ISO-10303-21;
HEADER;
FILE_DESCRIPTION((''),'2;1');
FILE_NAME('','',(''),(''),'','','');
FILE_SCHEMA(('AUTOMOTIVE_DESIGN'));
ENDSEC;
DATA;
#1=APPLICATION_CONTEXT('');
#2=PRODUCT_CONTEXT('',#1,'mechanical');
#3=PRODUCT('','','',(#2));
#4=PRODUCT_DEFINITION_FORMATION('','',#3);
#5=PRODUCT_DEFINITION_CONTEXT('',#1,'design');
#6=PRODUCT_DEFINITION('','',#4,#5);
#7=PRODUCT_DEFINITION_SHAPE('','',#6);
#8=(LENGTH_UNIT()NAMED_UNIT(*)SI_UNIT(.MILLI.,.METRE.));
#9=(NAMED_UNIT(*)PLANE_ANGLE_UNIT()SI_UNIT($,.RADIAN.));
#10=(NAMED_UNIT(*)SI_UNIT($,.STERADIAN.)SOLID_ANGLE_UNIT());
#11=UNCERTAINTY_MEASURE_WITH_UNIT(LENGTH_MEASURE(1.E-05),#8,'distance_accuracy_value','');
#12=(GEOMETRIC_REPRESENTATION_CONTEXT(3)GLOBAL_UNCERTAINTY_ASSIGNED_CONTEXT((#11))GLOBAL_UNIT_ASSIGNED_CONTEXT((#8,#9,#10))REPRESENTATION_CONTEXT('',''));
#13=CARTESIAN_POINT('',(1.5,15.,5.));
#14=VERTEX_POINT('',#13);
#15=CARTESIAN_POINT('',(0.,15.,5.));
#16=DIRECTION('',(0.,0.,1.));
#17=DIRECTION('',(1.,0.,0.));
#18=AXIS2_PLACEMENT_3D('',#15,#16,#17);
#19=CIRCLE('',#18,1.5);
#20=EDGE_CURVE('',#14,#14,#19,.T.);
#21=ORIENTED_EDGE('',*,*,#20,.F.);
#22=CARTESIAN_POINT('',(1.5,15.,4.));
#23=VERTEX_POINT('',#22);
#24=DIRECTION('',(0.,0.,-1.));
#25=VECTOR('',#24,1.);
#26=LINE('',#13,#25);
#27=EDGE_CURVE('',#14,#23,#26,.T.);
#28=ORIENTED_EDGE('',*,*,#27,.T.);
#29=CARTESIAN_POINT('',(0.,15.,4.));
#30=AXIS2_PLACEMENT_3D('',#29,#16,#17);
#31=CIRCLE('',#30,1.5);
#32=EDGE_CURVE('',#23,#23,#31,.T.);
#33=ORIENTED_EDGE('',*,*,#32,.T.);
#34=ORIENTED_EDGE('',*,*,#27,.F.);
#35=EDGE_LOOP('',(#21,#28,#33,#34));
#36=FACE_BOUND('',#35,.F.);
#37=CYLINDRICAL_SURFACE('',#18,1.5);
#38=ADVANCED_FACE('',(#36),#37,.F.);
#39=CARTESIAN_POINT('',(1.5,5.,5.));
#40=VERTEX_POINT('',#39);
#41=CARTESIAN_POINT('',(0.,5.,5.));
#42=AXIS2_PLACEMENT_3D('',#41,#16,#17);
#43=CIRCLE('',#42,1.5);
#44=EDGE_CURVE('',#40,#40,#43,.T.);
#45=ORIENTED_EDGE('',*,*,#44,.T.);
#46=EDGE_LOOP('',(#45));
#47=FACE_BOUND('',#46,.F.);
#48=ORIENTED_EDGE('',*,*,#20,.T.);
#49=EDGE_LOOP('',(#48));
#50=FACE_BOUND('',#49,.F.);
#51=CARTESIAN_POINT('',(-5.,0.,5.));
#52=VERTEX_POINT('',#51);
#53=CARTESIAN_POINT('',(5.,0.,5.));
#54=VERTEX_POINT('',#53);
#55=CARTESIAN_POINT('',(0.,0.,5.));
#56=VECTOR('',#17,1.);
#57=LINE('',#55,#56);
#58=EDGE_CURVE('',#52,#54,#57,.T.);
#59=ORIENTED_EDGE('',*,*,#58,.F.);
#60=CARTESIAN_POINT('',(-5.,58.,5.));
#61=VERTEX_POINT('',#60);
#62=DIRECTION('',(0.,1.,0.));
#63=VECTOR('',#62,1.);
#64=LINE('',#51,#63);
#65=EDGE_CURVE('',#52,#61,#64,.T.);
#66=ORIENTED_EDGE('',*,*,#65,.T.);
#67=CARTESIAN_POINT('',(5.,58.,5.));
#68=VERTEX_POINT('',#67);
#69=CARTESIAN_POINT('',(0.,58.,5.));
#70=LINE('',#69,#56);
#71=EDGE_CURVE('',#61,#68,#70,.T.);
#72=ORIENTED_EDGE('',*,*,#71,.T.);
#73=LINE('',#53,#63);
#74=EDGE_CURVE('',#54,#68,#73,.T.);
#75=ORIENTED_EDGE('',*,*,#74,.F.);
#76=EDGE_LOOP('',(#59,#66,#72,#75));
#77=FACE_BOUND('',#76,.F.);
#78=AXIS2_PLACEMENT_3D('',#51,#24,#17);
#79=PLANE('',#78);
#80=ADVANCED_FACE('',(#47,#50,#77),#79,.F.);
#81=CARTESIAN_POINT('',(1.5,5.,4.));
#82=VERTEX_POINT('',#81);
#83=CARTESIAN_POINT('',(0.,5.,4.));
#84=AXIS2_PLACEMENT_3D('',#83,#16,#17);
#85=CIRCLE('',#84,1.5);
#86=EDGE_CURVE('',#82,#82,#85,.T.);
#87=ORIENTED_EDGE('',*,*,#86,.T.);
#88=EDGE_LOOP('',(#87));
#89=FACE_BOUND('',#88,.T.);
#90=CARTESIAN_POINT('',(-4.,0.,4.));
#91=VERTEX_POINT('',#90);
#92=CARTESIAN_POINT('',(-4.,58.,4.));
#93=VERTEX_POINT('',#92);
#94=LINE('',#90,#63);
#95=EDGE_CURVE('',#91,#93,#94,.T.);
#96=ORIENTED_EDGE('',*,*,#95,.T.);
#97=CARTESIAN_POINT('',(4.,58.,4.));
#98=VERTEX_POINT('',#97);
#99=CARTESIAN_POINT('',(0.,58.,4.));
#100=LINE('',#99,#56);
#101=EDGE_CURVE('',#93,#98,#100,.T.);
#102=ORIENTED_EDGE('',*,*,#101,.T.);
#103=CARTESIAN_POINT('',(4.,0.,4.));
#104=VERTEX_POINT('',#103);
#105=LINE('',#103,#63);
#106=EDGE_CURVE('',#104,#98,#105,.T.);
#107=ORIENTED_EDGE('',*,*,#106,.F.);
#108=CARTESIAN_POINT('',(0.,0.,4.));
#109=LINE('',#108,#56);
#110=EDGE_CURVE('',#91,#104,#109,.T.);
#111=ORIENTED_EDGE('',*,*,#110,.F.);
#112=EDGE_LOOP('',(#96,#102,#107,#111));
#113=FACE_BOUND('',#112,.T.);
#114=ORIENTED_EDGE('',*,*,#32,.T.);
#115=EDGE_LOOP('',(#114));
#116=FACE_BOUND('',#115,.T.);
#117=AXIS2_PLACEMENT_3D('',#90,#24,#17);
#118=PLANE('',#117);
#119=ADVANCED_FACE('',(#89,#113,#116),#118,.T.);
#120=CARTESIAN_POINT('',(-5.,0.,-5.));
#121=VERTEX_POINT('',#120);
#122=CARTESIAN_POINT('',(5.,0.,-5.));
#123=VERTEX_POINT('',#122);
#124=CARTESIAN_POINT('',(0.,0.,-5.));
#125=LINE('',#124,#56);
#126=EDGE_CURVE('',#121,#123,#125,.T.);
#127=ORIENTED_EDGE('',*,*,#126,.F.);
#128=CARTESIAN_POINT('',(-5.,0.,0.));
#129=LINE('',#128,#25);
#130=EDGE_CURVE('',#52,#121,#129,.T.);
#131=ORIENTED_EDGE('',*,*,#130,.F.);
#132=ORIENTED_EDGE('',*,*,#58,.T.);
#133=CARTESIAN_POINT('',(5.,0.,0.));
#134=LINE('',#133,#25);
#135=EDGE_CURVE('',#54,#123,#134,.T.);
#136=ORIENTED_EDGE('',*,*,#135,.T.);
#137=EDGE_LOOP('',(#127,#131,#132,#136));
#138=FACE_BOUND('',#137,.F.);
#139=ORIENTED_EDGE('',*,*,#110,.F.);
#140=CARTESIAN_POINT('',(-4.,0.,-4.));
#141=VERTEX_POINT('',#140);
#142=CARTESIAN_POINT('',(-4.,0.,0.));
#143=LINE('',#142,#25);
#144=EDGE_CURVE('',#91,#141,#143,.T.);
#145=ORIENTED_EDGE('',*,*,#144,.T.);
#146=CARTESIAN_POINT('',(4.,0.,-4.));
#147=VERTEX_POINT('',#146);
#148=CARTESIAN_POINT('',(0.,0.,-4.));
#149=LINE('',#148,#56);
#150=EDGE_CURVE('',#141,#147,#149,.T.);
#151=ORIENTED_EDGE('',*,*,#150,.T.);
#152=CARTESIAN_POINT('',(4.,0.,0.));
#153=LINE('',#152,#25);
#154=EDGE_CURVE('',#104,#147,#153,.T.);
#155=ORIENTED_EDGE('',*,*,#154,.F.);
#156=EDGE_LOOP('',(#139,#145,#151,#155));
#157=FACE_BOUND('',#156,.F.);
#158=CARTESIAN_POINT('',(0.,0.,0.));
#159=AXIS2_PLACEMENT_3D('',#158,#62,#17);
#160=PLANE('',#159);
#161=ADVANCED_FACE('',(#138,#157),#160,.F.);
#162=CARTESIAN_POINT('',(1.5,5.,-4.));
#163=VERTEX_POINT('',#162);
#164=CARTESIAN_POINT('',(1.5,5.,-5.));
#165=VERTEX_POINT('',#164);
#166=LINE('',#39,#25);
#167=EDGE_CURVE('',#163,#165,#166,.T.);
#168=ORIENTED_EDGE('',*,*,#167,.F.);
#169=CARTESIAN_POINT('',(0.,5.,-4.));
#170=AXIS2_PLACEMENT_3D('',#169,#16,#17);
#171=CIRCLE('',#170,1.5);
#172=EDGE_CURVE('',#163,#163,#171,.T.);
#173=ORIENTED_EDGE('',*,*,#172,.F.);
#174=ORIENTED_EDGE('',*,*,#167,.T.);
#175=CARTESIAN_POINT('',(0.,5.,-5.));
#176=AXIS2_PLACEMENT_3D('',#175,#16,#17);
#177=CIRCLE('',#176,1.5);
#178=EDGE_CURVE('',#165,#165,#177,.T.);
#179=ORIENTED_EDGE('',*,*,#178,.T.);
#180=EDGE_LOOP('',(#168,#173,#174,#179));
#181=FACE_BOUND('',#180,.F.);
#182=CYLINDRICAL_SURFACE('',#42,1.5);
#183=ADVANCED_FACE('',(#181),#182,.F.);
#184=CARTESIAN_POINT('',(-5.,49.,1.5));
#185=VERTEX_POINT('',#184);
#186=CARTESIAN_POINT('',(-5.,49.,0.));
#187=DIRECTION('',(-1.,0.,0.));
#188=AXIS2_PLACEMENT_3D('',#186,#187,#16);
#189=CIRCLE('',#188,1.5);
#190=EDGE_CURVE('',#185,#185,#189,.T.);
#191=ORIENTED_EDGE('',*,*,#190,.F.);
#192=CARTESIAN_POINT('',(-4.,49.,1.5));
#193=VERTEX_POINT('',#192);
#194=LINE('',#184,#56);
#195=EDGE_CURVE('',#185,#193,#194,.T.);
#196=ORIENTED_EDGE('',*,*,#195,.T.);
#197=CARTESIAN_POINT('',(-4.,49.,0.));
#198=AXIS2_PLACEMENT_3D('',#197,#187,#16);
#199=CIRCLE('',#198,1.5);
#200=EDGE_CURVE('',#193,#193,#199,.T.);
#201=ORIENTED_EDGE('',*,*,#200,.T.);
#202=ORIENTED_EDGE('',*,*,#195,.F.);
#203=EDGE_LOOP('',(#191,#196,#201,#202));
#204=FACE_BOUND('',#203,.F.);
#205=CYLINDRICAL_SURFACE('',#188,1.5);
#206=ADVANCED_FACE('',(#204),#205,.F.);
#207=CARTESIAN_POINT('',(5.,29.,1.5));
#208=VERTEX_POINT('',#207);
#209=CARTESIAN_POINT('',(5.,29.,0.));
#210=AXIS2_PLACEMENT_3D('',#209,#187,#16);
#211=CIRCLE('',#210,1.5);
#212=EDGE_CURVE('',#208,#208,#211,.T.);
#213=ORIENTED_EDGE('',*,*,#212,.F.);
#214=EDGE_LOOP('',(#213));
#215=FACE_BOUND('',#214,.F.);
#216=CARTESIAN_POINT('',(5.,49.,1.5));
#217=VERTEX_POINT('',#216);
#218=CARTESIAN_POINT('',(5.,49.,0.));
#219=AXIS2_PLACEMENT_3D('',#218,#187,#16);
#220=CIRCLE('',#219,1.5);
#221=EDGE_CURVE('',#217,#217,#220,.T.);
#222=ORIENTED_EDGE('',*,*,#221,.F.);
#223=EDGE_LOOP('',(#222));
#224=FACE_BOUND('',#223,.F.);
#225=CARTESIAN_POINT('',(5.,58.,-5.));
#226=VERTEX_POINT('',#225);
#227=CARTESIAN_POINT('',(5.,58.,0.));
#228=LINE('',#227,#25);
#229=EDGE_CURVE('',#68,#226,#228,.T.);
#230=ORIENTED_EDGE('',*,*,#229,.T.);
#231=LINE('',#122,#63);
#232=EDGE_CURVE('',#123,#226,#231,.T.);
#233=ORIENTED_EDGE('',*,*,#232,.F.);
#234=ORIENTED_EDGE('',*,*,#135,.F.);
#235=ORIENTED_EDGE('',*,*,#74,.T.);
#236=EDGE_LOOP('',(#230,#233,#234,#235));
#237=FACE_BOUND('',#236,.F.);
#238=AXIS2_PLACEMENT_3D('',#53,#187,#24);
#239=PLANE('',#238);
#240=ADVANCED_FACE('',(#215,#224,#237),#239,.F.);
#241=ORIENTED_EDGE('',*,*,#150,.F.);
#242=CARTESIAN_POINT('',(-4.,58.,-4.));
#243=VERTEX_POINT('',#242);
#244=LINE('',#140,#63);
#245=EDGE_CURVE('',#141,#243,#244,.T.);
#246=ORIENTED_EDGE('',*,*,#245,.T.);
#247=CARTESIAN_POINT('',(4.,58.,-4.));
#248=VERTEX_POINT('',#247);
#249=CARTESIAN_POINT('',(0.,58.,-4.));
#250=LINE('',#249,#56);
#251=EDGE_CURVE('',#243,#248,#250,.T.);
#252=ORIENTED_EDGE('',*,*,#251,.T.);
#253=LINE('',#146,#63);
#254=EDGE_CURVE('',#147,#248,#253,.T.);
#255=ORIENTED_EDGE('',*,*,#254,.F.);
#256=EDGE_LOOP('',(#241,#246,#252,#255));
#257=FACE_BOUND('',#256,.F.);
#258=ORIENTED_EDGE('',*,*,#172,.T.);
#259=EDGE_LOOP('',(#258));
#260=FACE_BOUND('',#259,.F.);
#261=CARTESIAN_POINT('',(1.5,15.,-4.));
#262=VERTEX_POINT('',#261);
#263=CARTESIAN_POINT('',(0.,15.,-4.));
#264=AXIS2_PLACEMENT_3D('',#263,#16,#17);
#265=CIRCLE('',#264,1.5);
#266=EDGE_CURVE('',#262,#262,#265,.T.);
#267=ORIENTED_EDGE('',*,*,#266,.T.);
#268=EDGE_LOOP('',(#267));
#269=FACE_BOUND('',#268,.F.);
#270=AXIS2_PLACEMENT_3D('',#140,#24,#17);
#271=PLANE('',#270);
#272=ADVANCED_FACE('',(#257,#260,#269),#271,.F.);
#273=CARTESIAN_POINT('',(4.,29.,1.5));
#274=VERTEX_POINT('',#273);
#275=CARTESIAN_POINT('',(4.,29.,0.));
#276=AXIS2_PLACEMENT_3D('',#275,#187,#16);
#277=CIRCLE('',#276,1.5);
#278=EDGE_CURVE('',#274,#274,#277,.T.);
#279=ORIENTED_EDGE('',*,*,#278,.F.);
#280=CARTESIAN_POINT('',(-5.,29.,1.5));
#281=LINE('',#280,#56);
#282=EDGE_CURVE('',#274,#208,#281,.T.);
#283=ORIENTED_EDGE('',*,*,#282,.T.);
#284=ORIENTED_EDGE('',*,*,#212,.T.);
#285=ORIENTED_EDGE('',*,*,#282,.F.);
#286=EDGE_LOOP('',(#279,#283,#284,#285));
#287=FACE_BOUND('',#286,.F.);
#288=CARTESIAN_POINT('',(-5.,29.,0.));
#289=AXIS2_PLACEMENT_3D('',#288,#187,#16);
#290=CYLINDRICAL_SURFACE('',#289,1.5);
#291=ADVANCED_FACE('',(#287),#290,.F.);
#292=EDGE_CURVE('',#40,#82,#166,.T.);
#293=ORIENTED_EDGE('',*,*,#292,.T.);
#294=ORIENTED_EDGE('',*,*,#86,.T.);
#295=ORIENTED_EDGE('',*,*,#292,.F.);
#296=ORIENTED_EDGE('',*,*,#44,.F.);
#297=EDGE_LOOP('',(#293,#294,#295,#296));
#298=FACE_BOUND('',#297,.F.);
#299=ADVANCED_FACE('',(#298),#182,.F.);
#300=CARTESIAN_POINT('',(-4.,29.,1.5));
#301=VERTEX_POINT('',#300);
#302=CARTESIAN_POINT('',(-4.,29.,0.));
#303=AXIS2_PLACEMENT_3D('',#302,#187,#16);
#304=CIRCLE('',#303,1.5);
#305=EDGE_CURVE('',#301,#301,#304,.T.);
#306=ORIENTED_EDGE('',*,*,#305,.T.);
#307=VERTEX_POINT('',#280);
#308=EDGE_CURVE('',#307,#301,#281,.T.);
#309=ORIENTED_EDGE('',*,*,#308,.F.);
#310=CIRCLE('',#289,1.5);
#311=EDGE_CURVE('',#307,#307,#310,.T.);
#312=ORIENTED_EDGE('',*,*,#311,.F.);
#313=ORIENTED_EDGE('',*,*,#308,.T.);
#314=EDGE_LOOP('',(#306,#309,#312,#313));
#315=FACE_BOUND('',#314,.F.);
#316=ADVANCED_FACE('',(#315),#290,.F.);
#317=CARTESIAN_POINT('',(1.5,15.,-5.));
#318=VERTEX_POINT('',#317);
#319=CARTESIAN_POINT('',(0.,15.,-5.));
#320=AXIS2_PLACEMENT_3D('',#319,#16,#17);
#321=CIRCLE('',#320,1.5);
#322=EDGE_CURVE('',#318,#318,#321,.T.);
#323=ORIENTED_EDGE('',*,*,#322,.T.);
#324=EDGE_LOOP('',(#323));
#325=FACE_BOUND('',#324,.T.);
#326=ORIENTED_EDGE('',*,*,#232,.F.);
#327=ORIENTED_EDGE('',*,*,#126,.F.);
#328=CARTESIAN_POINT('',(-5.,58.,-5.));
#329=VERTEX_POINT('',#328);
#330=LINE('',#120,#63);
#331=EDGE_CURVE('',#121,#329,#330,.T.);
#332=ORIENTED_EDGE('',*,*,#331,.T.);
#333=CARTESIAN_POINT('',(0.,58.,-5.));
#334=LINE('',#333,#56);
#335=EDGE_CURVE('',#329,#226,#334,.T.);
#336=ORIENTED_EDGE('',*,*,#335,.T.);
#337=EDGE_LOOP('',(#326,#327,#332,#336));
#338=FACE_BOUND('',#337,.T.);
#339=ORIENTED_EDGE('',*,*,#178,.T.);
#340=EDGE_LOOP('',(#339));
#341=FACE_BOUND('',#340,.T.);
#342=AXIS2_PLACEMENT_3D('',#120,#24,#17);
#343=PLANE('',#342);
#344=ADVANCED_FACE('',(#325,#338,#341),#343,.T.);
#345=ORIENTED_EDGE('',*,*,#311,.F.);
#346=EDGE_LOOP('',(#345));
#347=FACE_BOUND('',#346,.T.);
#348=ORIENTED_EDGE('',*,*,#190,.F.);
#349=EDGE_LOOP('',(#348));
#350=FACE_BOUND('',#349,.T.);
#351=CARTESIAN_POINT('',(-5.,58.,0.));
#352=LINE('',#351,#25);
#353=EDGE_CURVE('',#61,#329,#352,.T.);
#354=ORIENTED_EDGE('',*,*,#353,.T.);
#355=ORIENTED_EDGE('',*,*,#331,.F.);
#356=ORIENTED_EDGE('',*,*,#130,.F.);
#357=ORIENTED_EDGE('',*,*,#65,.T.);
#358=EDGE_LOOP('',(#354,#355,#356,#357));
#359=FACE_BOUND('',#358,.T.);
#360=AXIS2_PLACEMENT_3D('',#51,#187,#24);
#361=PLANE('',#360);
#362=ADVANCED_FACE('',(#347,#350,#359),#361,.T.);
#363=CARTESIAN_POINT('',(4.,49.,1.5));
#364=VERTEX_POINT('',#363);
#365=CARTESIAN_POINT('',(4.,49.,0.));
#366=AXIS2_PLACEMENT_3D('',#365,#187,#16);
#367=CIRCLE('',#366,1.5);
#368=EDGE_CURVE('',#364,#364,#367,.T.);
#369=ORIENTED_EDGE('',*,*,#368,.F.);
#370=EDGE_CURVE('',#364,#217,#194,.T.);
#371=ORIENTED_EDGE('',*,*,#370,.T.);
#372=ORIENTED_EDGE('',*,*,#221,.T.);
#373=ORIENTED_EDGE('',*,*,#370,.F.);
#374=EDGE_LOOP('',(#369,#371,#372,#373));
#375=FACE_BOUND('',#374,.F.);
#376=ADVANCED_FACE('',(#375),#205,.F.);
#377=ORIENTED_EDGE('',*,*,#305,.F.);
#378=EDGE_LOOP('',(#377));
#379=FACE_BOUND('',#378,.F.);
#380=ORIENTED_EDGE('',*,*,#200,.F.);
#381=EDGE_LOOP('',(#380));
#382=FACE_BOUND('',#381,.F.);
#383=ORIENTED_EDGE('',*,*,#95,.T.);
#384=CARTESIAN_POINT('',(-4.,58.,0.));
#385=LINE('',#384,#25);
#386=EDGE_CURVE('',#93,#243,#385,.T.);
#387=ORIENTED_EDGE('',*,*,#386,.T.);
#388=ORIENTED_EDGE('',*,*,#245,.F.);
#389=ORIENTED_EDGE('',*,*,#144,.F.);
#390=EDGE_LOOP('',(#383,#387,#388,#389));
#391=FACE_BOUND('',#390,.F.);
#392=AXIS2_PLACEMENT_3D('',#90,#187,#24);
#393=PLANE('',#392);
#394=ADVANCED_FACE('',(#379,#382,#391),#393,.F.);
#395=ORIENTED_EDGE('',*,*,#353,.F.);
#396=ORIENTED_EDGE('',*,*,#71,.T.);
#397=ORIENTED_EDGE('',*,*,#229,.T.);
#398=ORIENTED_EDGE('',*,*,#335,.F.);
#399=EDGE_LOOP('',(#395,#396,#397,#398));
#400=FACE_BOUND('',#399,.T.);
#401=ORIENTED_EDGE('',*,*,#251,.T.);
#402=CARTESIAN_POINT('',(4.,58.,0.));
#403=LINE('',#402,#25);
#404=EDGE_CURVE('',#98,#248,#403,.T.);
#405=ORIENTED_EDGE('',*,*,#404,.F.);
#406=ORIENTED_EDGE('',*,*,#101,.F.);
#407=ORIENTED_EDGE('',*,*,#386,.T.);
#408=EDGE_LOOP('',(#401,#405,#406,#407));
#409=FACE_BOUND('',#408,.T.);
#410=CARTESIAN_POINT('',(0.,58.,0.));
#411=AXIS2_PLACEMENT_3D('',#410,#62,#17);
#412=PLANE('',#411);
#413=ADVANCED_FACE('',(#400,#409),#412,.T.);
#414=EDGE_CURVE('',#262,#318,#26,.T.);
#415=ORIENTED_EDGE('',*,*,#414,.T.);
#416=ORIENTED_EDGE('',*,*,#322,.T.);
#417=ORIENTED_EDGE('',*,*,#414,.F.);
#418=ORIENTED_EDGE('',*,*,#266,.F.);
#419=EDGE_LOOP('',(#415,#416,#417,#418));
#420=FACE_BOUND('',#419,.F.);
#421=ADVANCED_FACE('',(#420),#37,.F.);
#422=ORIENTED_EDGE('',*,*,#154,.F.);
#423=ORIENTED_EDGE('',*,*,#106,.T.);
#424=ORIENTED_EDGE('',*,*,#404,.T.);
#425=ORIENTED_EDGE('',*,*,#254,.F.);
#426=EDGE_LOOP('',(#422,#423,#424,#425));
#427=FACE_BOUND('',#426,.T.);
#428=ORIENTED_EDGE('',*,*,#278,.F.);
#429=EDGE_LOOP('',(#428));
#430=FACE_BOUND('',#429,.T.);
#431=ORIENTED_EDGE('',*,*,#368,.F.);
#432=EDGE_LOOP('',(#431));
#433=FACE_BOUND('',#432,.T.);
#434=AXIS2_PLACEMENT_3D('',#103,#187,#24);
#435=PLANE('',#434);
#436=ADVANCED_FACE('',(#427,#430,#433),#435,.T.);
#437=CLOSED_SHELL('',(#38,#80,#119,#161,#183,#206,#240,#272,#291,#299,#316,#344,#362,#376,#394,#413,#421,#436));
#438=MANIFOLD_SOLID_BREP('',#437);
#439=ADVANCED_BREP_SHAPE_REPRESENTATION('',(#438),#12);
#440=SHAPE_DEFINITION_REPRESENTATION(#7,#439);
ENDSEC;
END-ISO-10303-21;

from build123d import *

# Parameters (mm, degrees)
SKETCH_1_W          = 10
SKETCH_1_H          = 10
SKETCH_1_W_2        = 8
SKETCH_1_H_2        = 8
EXTRUDE_1_DEPTH     = 58
SKETCH_2_R          = 1.5
CUT_EXTRUDE_1_DEPTH = 30
SKETCH_3_R          = 1.5
CUT_EXTRUDE_2_DEPTH = 30


with BuildPart() as part:
    # 草图1 → 凸台-拉伸1 (new body)
    with BuildSketch(Plane(origin=(0, 0, 0), x_dir=(1, 0, 0), z_dir=(0, 1, 0))):
        Rectangle(SKETCH_1_W, SKETCH_1_H)
        Rectangle(SKETCH_1_W_2, SKETCH_1_H_2, mode=Mode.SUBTRACT)
    extrude(amount=EXTRUDE_1_DEPTH)

    # 草图2 → 切除-拉伸1 (cut)
    with BuildSketch(Plane.XY.offset(5)):
        with Locations((0, 5)):
            Circle(SKETCH_2_R)
        with Locations((0, 15)):
            Circle(SKETCH_2_R)
    extrude(amount=-CUT_EXTRUDE_1_DEPTH, mode=Mode.SUBTRACT)

    # 草图3 → 切除-拉伸2 (cut)
    with BuildSketch(Plane.ZY.offset(5)):
        with Locations((0, 49)):
            Circle(SKETCH_3_R)
        with Locations((0, 29)):
            Circle(SKETCH_3_R)
    extrude(amount=-CUT_EXTRUDE_2_DEPTH, mode=Mode.SUBTRACT)


solid = part.part
